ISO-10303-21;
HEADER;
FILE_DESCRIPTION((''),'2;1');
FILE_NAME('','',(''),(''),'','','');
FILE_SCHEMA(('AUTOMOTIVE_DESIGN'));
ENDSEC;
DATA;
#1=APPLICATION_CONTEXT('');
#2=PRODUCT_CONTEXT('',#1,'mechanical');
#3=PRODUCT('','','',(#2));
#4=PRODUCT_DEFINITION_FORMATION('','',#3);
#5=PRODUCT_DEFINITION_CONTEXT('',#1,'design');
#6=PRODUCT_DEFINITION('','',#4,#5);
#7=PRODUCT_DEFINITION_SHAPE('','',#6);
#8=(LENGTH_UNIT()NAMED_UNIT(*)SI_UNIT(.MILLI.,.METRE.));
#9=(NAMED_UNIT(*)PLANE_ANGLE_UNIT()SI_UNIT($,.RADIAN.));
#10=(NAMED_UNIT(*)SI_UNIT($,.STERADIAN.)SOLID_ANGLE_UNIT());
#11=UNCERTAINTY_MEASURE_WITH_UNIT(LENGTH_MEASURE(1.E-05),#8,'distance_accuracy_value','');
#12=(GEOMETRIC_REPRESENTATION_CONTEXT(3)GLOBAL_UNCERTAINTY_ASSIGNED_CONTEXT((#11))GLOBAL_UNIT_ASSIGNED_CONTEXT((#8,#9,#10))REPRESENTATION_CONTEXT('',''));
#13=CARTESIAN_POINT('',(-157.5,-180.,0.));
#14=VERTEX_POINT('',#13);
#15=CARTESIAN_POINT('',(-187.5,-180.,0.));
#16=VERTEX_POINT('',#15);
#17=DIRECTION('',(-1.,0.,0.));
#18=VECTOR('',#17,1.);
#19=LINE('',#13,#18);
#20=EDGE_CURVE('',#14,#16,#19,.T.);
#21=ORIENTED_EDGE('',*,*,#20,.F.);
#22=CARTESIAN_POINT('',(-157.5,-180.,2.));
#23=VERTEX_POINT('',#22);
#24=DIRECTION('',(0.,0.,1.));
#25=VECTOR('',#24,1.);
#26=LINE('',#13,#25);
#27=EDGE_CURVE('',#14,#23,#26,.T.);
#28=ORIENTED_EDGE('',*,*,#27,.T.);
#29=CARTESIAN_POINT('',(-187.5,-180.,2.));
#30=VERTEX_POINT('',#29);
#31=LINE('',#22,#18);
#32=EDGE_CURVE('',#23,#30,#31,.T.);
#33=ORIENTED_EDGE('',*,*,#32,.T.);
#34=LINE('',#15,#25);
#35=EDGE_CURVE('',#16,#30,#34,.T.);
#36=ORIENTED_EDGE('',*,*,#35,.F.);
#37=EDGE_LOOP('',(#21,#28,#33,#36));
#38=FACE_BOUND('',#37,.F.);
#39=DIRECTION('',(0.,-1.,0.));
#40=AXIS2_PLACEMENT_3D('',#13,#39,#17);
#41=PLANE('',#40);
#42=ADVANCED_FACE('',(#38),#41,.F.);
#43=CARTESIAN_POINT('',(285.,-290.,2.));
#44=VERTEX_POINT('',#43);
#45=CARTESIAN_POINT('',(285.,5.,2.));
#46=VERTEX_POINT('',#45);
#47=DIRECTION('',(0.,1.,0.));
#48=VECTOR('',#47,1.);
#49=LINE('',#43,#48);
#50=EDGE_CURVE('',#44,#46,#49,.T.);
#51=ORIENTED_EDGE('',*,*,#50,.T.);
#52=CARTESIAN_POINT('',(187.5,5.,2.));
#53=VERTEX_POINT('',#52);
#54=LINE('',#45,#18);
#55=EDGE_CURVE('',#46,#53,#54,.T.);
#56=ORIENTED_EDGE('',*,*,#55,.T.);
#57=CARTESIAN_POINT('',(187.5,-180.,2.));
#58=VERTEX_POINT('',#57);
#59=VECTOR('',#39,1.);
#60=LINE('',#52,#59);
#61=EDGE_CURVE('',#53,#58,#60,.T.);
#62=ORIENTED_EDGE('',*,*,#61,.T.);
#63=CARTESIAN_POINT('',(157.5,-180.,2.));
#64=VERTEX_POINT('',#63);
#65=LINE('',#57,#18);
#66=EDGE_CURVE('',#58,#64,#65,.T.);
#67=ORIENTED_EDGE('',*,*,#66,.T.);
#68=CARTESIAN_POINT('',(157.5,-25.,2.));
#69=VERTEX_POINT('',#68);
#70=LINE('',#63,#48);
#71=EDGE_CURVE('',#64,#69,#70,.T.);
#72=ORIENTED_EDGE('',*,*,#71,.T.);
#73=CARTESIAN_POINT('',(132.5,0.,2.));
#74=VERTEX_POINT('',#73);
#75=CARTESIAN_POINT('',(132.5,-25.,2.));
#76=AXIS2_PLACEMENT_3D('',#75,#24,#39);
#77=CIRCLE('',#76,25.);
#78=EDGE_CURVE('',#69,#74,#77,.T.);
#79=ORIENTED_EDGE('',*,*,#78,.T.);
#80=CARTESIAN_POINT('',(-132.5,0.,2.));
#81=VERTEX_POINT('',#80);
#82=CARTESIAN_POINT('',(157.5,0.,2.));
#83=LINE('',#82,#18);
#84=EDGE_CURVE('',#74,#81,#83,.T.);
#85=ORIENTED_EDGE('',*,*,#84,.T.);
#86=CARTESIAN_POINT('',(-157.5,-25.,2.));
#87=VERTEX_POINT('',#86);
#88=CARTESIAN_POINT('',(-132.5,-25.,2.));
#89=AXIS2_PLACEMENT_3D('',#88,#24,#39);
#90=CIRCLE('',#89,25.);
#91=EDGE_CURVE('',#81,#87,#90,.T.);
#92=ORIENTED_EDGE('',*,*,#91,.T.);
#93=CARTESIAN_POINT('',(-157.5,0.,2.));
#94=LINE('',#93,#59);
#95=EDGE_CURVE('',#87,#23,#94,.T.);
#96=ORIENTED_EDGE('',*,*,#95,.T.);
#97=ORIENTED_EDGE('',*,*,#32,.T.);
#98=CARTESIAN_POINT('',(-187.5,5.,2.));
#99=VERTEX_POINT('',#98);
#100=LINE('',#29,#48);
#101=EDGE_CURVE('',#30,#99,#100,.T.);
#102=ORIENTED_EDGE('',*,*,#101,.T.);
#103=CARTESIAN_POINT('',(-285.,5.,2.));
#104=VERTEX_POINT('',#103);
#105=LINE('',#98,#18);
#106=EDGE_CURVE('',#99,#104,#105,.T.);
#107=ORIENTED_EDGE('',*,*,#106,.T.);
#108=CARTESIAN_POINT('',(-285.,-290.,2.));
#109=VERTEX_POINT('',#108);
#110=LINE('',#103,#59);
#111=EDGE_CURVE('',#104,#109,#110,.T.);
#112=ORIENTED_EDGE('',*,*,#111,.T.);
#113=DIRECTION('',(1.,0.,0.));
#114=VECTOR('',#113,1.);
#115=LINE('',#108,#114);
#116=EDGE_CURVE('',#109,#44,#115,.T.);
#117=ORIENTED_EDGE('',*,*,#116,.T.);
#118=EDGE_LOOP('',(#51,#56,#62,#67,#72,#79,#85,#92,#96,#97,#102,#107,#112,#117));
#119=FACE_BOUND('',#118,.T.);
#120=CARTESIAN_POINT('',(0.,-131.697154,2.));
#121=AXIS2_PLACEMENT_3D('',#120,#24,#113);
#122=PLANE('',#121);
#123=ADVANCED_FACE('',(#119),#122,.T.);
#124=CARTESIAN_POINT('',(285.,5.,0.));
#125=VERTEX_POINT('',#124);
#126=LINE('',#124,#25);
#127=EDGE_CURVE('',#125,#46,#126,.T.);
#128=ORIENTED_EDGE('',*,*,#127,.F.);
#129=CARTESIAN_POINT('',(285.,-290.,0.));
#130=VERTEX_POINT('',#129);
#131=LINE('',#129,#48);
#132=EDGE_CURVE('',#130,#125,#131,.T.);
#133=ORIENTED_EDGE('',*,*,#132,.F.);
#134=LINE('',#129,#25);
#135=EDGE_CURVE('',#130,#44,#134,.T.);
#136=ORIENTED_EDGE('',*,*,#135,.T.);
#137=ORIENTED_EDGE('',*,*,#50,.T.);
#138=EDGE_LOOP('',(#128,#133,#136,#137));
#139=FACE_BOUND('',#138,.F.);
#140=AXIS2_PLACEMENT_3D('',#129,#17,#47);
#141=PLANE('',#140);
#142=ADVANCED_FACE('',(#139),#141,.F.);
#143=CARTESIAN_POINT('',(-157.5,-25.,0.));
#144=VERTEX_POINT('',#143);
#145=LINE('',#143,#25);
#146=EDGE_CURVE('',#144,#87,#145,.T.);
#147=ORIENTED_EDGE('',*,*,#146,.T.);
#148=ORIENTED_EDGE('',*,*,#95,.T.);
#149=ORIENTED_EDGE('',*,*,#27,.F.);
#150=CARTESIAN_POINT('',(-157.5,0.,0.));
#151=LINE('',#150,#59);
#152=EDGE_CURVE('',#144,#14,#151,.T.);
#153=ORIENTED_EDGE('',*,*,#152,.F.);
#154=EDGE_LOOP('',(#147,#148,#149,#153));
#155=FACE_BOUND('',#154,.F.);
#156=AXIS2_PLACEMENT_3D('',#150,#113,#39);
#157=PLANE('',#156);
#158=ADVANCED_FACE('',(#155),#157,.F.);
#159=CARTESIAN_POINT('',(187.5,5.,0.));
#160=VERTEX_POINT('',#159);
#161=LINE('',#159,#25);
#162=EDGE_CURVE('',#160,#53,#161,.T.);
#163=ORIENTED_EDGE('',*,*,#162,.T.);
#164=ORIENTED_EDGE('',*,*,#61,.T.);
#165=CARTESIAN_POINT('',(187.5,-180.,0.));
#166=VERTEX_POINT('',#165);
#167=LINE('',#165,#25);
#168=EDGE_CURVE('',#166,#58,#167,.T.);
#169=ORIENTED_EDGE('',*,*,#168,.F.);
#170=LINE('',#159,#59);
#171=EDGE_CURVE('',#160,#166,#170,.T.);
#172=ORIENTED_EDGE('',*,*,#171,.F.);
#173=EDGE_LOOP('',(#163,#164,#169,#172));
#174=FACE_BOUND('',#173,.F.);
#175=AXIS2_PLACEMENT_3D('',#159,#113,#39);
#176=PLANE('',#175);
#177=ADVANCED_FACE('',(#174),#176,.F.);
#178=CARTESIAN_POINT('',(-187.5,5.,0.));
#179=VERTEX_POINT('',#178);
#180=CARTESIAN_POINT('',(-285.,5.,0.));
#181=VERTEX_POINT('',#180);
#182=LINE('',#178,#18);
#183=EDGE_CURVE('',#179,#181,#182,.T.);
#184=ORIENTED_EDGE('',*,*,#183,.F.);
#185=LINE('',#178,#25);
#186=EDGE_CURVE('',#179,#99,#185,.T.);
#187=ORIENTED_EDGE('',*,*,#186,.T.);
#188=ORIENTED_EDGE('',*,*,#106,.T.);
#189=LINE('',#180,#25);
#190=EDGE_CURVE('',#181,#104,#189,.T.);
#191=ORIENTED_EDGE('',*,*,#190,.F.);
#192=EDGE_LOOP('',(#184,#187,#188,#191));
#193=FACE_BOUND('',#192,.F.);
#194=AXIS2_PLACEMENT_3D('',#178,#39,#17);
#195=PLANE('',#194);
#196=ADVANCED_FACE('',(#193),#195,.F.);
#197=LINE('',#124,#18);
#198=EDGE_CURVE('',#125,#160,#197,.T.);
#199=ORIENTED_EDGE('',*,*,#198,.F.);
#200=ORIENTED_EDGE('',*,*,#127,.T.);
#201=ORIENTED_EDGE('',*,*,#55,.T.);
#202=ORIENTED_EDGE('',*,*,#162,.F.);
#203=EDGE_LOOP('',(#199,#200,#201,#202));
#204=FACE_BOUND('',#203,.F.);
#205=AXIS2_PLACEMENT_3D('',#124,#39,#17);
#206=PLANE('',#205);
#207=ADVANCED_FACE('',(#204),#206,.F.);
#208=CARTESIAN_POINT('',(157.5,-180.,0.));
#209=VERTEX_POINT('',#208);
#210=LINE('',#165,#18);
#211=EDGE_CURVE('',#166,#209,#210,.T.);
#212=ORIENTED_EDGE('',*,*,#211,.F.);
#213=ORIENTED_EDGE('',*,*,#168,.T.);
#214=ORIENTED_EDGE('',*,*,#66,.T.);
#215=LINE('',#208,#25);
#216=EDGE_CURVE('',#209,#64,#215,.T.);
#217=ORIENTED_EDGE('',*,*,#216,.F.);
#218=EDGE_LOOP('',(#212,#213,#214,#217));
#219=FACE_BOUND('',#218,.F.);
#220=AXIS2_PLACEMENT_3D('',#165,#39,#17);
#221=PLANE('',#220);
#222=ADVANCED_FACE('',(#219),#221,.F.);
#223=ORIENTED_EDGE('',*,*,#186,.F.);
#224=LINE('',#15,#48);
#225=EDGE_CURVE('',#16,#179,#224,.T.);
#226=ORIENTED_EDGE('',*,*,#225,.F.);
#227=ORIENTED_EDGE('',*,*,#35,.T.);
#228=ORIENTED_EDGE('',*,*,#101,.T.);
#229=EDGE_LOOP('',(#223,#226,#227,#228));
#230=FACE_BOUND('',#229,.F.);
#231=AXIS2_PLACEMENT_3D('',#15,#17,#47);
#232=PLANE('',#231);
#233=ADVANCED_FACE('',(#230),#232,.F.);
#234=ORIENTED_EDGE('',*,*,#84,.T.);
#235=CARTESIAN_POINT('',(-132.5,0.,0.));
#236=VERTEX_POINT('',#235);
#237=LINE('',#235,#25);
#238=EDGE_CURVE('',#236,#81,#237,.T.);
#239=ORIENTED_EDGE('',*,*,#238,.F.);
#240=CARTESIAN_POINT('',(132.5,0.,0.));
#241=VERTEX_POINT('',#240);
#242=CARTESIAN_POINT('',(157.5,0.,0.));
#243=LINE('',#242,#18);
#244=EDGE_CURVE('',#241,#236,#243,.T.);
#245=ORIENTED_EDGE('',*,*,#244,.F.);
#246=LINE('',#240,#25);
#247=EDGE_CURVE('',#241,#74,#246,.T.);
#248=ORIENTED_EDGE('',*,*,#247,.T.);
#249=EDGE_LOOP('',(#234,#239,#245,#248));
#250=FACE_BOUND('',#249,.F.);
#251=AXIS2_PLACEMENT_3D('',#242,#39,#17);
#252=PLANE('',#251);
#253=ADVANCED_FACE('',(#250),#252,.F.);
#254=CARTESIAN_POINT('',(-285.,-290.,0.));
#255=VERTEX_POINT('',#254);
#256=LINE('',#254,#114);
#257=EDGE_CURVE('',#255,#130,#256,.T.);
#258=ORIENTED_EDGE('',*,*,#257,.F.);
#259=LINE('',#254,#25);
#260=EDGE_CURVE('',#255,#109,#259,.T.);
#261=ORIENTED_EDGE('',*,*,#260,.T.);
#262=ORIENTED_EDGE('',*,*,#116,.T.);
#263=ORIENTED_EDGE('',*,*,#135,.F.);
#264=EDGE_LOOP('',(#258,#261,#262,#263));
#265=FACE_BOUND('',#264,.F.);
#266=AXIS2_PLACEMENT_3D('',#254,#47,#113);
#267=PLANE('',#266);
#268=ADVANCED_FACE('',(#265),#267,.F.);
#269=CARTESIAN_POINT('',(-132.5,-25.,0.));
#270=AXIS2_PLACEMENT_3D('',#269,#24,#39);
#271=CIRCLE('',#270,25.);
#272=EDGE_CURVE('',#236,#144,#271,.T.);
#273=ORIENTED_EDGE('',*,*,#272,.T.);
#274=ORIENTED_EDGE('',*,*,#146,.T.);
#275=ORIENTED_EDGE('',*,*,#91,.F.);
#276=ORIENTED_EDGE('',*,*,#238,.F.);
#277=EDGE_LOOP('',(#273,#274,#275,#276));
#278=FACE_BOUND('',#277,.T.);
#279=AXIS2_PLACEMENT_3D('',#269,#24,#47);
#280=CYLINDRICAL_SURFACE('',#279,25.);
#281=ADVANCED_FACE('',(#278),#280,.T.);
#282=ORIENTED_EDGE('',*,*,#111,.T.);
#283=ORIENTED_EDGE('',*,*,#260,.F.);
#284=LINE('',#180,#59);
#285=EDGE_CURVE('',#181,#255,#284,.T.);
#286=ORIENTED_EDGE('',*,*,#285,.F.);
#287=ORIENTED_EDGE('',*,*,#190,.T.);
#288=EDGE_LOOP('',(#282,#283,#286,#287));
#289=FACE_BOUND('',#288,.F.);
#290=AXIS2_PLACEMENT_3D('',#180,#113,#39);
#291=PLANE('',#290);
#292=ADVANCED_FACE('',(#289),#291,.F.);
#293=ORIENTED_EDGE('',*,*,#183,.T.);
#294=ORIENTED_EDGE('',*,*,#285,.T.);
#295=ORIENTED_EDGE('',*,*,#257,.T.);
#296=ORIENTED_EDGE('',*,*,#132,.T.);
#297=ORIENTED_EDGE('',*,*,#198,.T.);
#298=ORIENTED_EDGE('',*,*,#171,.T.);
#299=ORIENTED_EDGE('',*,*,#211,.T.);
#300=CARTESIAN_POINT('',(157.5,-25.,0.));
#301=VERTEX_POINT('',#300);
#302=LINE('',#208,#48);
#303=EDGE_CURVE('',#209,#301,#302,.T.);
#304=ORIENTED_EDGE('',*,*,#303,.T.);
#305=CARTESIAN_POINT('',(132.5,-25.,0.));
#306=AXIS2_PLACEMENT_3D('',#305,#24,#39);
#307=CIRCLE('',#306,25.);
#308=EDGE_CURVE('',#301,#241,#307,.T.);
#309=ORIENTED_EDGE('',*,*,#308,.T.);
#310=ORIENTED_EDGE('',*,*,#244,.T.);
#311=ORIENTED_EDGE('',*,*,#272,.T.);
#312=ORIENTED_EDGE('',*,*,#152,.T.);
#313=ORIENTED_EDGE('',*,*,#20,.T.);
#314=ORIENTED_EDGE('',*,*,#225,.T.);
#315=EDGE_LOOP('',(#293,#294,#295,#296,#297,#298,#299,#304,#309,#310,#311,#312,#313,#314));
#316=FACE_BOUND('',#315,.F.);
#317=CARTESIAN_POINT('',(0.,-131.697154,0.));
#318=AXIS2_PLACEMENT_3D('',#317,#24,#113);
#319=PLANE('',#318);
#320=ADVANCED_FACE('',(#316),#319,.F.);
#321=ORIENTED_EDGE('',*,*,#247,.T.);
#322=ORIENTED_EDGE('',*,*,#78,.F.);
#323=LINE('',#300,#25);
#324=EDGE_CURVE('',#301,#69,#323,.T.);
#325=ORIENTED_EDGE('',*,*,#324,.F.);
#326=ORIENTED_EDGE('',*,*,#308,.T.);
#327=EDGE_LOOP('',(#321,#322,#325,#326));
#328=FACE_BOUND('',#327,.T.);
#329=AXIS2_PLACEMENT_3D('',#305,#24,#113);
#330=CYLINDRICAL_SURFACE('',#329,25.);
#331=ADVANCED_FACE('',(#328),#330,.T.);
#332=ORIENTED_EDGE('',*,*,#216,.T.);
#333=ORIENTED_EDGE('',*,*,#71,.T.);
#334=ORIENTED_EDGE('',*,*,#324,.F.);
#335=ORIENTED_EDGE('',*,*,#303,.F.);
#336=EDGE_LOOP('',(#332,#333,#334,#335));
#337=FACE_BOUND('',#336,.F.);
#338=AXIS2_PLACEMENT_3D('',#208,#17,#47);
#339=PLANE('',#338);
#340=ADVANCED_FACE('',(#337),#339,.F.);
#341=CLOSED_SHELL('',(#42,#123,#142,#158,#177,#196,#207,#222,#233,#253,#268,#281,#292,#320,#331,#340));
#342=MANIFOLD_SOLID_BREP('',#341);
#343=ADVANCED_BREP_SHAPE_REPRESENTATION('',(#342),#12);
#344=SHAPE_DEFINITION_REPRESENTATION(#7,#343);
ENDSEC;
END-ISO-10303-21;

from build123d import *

# Parameters (mm, degrees)
F1_DEPTH = 2
F2_R     = 25


with BuildPart() as f1:
    # F0 (on Top) → F1 (new body)
    with BuildSketch(Plane.XY):
        Polygon((-285, -290), (285, -290), (285, 0), (285, 5), (187.5, 5), (187.5, 0), (187.5, -180), (157.5, -180), (157.5, 0), (-157.5, 0), (-157.5, -180), (-187.5, -180), (-187.5, 0), (-187.5, 5), (-285, 5), (-285, 0), align=None)
    extrude(amount=F1_DEPTH)

    # F2
    f2_edges = [f1.edges().sort_by_distance(p)[0] for p in [
        (-157.5, 0, 1),
        (157.5, 0, 1),
    ]]
    fillet(f2_edges, radius=F2_R)


solid = f1.part
